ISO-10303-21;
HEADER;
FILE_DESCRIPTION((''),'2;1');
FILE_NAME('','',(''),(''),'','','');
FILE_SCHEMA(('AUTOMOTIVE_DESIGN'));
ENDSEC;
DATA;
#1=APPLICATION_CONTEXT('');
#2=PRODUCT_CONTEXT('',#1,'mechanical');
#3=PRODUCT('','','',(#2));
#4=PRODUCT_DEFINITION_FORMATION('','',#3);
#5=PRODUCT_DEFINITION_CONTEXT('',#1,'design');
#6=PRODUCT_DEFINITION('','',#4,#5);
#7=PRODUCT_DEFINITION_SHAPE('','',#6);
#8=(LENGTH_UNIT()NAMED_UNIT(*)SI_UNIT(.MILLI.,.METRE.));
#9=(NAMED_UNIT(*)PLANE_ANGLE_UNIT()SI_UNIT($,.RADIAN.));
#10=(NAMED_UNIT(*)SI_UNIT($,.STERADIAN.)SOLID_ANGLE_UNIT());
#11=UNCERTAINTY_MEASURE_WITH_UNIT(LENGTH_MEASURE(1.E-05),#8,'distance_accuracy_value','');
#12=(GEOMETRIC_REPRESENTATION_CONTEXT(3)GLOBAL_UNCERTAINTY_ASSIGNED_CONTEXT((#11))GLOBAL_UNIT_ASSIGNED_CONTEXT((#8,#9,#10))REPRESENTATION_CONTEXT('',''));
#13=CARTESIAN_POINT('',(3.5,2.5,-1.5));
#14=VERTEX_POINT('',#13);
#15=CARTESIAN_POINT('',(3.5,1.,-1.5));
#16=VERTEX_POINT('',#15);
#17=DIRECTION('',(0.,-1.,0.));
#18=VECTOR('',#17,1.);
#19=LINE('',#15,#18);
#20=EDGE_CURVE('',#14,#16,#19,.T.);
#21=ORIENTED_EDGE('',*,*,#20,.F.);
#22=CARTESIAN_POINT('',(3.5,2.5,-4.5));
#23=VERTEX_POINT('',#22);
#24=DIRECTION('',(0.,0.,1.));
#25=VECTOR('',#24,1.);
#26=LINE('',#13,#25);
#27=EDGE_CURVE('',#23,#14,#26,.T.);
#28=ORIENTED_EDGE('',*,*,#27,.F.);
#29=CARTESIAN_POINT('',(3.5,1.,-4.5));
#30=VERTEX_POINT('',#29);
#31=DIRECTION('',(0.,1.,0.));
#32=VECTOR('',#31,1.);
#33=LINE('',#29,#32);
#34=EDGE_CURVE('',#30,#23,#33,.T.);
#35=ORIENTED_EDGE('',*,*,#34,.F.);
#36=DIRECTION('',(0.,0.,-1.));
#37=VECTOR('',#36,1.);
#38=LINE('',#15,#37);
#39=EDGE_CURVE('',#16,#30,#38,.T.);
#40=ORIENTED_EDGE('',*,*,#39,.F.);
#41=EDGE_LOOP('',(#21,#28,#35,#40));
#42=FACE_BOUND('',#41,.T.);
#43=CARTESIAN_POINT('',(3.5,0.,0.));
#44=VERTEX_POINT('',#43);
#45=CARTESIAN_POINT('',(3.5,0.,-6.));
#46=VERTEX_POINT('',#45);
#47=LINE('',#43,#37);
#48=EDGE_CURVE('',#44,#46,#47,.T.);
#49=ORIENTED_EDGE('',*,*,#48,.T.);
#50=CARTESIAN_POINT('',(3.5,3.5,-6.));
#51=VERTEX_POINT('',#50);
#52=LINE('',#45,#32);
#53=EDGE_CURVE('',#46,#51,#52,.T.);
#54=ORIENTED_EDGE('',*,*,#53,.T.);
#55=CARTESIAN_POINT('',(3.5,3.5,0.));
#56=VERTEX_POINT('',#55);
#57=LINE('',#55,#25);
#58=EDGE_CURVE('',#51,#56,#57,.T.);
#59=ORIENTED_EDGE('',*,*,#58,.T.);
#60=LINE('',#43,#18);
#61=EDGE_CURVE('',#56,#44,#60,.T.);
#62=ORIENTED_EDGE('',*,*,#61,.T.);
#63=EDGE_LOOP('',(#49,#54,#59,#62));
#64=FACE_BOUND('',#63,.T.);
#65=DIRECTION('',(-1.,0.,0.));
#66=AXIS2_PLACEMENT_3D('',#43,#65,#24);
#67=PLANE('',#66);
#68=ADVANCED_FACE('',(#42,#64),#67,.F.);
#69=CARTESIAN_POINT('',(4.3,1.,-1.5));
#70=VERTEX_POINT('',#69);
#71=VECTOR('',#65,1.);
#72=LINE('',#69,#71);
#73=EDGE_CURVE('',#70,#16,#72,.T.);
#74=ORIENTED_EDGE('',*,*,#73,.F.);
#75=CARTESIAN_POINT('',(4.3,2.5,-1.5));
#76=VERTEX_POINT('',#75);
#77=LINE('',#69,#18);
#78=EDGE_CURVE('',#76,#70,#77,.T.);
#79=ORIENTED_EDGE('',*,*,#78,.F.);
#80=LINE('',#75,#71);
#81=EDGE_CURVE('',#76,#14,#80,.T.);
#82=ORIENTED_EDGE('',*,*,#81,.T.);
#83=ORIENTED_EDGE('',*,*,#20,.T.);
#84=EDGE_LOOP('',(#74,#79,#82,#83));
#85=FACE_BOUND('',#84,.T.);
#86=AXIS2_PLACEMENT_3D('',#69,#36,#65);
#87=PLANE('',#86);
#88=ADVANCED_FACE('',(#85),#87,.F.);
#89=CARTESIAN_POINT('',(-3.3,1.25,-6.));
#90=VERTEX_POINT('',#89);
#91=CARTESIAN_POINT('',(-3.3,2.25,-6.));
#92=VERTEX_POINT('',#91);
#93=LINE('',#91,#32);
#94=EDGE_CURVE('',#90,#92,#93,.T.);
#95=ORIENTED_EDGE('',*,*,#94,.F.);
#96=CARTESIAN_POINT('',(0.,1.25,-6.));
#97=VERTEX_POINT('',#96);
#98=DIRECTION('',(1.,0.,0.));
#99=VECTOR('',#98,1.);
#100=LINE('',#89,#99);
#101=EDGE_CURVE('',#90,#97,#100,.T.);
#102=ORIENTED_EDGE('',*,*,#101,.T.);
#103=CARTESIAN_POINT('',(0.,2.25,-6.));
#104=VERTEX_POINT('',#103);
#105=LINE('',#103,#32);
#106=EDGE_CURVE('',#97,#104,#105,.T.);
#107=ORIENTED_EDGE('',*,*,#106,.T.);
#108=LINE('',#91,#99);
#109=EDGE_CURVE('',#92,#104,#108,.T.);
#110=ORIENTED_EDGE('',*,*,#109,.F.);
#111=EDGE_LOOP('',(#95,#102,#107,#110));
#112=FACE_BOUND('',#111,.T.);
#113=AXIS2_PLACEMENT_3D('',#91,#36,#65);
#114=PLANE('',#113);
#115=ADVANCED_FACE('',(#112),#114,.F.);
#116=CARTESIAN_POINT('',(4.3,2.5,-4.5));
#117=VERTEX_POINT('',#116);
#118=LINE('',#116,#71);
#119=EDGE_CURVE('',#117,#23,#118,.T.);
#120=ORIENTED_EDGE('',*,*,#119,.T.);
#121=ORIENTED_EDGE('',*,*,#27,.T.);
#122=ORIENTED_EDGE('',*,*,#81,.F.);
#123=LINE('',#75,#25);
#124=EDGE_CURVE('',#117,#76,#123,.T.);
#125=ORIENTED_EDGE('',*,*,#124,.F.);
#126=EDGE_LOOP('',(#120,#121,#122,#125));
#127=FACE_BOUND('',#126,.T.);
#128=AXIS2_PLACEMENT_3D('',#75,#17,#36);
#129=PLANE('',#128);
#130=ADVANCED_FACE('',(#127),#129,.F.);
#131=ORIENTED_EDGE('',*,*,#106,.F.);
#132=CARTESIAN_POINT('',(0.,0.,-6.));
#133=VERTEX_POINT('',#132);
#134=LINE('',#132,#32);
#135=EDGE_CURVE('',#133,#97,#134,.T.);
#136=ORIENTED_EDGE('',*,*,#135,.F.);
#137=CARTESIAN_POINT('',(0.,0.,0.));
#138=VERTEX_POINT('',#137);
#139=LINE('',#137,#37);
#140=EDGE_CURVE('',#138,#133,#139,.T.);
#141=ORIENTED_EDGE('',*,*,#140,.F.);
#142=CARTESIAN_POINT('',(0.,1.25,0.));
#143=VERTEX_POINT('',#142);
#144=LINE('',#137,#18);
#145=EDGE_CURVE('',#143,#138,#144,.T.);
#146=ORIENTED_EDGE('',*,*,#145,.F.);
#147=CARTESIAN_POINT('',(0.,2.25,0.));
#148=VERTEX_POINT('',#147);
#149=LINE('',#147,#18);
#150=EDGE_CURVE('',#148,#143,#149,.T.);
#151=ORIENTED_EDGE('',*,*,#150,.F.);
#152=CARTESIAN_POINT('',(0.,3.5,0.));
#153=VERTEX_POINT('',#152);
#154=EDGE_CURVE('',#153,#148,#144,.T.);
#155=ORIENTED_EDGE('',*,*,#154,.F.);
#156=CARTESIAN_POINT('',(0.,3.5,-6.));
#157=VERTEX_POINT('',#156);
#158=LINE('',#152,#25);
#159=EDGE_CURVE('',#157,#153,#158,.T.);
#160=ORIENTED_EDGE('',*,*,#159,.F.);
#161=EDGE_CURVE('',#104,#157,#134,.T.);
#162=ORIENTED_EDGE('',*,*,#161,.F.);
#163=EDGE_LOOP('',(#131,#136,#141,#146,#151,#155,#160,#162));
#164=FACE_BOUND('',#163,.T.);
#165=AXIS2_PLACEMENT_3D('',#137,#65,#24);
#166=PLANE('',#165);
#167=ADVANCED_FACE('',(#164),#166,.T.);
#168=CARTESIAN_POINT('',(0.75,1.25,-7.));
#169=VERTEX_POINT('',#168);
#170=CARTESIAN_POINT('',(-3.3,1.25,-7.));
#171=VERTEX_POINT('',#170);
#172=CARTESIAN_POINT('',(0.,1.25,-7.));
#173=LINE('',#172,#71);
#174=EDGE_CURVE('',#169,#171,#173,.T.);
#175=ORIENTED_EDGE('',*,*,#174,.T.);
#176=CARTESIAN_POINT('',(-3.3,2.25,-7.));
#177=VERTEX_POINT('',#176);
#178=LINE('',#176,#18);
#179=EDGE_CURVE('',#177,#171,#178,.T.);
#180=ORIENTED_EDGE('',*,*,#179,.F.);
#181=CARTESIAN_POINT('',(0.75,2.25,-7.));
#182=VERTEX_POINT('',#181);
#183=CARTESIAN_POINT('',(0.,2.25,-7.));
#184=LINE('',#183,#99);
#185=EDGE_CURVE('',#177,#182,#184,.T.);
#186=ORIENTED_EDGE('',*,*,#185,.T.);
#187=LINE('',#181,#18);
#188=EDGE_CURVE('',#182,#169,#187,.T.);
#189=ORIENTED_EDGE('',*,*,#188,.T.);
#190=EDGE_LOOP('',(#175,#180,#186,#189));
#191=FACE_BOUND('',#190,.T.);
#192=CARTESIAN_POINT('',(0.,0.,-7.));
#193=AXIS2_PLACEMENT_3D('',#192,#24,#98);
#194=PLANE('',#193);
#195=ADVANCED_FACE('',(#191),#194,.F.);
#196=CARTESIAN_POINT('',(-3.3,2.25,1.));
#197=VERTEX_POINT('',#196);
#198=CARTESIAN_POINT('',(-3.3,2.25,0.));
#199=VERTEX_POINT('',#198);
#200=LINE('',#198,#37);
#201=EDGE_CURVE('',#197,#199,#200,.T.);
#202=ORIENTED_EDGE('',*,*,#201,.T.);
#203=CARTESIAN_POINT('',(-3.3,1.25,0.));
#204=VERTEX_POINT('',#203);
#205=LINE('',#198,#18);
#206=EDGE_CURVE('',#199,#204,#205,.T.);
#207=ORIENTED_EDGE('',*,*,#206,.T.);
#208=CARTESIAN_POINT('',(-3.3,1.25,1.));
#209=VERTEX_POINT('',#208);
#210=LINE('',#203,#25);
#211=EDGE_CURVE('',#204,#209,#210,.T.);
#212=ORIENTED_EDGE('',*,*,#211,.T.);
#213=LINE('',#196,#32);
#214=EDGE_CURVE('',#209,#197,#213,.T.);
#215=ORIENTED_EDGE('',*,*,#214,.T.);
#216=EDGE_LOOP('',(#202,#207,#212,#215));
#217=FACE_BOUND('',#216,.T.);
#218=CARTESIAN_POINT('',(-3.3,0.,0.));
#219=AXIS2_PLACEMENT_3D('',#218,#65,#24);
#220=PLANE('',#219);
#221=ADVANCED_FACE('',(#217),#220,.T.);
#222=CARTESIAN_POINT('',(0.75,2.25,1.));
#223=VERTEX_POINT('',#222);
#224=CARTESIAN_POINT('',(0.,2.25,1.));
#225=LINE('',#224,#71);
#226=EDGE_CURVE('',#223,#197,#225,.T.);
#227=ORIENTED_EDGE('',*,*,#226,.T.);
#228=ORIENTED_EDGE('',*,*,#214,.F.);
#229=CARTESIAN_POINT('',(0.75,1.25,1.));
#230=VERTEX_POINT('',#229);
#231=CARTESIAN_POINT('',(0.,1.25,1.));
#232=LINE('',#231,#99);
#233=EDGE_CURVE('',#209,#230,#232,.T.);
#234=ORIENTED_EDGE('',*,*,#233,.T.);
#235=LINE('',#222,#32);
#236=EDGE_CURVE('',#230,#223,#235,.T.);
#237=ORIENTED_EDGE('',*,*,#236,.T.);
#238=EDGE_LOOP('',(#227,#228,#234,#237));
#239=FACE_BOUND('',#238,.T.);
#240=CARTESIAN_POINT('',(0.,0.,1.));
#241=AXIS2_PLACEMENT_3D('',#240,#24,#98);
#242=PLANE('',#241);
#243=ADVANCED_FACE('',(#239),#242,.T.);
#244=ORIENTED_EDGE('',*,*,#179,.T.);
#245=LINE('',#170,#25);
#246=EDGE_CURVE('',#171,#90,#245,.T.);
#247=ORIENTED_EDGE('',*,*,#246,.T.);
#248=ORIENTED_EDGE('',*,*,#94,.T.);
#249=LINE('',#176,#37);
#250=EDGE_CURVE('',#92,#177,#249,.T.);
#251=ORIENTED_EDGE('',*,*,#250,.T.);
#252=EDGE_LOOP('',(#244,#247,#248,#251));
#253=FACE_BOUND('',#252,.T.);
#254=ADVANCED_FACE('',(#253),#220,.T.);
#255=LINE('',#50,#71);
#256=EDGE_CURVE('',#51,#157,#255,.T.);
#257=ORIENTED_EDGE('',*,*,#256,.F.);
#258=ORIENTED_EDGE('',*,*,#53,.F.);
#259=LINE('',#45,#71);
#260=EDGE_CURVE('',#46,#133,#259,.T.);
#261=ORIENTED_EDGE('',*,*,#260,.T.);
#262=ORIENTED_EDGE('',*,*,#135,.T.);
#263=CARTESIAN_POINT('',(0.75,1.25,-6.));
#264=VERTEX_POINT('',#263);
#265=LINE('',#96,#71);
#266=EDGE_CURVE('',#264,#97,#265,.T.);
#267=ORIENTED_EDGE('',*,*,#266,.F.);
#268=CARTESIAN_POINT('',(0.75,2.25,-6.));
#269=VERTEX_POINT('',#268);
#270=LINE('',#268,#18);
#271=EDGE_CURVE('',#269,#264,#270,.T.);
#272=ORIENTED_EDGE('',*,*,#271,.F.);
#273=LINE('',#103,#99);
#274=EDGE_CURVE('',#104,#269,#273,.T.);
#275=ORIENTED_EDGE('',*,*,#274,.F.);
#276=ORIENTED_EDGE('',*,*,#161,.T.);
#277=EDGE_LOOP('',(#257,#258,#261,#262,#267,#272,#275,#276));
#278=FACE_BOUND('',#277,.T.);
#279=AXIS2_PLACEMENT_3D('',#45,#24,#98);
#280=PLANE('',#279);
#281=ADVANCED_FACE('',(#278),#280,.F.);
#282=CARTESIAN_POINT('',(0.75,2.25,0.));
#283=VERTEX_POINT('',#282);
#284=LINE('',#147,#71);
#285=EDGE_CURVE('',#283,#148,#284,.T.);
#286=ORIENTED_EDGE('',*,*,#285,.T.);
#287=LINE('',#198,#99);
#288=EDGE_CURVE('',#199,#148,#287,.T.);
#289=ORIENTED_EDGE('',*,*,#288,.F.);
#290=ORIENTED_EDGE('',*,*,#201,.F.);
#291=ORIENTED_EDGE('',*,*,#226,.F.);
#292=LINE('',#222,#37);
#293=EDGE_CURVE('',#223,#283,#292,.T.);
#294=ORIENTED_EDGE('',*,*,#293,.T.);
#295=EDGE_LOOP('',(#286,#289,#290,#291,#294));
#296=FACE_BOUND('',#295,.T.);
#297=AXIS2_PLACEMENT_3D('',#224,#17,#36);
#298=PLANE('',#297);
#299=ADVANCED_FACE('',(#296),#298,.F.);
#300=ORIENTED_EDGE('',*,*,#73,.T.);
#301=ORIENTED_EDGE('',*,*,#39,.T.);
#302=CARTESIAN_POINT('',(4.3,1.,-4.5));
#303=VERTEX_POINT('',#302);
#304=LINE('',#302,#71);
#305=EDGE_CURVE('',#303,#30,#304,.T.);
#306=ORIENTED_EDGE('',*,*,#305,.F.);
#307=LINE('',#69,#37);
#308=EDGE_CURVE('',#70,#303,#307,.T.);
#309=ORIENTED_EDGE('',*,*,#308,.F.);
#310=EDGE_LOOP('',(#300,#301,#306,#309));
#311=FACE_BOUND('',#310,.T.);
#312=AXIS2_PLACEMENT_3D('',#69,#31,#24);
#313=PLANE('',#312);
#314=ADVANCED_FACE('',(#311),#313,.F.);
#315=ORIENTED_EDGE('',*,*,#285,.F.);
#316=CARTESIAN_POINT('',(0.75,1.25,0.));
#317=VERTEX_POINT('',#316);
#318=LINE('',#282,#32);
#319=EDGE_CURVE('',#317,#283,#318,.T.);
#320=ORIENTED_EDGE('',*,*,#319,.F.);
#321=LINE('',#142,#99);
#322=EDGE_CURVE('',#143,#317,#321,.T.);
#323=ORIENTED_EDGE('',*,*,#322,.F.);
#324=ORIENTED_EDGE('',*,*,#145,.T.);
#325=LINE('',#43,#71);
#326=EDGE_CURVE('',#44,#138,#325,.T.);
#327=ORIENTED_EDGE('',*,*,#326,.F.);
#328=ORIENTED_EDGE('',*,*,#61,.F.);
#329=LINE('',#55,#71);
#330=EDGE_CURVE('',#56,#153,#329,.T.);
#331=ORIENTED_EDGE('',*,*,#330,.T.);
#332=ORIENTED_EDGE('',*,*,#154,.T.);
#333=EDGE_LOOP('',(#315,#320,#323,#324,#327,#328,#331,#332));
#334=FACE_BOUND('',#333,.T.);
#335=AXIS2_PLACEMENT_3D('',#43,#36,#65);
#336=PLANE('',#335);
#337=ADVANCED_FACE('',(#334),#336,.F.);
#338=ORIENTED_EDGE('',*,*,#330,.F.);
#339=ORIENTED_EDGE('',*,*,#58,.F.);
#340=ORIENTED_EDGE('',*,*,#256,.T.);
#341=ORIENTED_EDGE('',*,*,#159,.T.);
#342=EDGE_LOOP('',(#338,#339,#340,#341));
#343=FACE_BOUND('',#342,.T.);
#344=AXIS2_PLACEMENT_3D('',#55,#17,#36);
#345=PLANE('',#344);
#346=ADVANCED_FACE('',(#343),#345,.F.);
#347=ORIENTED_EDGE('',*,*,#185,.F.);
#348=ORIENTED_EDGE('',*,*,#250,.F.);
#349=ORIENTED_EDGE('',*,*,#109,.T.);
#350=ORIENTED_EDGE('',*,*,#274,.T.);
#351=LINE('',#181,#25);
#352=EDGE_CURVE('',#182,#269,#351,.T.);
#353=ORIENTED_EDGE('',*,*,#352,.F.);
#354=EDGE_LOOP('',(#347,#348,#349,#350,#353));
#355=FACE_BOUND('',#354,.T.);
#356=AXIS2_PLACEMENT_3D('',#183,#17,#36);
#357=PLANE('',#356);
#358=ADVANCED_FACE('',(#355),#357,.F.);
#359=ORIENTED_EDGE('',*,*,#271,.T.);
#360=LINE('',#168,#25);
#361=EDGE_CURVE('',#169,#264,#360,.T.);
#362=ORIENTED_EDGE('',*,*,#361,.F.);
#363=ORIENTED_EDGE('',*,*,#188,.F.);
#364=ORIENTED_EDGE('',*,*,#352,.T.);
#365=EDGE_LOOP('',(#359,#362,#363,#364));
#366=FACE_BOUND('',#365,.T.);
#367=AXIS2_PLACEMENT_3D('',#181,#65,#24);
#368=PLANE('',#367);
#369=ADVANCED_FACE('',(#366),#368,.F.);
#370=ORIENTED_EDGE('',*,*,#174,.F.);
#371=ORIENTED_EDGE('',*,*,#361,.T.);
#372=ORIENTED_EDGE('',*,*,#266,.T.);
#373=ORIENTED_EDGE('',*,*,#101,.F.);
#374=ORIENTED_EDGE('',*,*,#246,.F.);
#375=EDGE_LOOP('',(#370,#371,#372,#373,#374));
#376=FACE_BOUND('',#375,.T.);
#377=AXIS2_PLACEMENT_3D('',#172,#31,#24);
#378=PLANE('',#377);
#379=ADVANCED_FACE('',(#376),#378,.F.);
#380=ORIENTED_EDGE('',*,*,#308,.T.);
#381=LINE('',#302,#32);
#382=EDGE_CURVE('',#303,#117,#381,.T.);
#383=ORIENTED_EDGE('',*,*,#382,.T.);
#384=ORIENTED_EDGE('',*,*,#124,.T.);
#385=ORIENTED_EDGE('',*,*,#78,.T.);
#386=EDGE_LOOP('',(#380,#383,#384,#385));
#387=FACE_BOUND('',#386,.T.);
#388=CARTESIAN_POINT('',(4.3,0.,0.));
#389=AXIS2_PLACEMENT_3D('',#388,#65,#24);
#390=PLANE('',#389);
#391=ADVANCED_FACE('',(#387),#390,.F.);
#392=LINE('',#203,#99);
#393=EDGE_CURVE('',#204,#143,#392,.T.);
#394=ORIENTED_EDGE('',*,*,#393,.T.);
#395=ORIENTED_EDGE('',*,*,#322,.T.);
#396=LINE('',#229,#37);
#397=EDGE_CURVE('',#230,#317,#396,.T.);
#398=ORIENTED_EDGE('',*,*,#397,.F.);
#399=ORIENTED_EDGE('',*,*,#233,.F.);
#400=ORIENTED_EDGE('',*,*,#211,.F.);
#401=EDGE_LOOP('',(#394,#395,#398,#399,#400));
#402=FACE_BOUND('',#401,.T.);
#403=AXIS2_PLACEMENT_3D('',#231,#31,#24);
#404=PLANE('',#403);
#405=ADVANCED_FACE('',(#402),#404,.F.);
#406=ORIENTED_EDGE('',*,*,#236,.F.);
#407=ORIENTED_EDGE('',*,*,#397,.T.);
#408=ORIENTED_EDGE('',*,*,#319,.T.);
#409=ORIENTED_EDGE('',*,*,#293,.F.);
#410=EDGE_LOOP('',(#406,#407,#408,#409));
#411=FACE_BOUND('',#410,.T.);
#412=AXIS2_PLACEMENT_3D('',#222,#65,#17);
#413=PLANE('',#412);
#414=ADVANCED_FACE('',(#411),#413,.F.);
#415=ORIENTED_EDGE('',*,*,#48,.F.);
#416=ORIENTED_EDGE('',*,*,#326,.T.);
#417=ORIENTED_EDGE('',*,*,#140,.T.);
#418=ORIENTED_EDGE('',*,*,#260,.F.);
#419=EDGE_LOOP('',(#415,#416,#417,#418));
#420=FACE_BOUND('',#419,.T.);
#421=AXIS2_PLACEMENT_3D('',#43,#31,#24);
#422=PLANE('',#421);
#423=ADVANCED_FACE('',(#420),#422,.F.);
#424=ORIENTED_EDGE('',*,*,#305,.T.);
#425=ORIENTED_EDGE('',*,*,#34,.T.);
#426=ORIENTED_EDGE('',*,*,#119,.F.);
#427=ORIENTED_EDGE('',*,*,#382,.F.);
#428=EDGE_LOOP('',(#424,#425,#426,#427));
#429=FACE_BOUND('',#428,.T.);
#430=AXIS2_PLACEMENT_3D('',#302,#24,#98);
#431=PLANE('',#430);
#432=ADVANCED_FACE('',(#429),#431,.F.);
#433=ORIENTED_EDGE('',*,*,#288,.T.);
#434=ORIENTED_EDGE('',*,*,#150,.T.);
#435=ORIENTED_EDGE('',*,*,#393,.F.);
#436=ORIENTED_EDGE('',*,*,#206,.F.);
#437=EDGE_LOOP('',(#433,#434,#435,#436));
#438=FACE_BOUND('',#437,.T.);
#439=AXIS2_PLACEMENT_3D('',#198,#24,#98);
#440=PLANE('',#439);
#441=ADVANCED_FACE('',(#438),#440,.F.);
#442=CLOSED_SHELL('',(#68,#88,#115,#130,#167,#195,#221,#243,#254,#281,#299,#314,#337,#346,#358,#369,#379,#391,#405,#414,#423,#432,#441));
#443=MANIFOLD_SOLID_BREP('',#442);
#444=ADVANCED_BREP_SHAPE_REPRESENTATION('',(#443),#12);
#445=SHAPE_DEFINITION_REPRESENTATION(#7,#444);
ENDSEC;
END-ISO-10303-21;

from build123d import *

# Parameters (mm, degrees)
SKETCH1_W            = 6
SKETCH1_H            = 3.5
BOSS_EXTRUDE1_DEPTH  = 3.5
SKETCH2_W            = 3
SKETCH2_H            = 1.5
BOSS_EXTRUDE2_DEPTH  = 0.8
SKETCH7_W            = 0.75
SKETCH7_H            = 1
BOSS_EXTRUDE7_DEPTH  = 1
SKETCH8_W            = 1
SKETCH8_H            = 1
BOSS_EXTRUDE8_DEPTH  = 3.3
SKETCH9_W            = 0.75
SKETCH9_H            = 1
BOSS_EXTRUDE9_DEPTH  = 1
SKETCH10_W           = 1
SKETCH10_H           = 1
BOSS_EXTRUDE10_DEPTH = 3.3


with BuildPart() as part:
    # Sketch1 → Boss-Extrude1 (new body)
    with BuildSketch(Plane(origin=(0, 0, 0), x_dir=(0, 0, -1), z_dir=(1, 0, 0))):
        with Locations((3, 1.75)):
            Rectangle(SKETCH1_W, SKETCH1_H)
    extrude(amount=BOSS_EXTRUDE1_DEPTH)

    # Sketch2 → Boss-Extrude2 (add)
    with BuildSketch(Plane(origin=(3.5, 0, 0), x_dir=(0, 0, -1), z_dir=(1, 0, 0))):
        with Locations((3, 1.75)):
            Rectangle(SKETCH2_W, SKETCH2_H)
    extrude(amount=BOSS_EXTRUDE2_DEPTH)

    # Sketch7 → Boss-Extrude7 (add)
    with BuildSketch(Plane.XY):
        with Locations((0.375, 1.75)):
            Rectangle(SKETCH7_W, SKETCH7_H)
    extrude(amount=BOSS_EXTRUDE7_DEPTH)

    # Sketch8 → Boss-Extrude8 (add)
    with BuildSketch(Plane.ZY):
        with Locations((0.5, 1.75)):
            Rectangle(SKETCH8_W, SKETCH8_H)
    extrude(amount=BOSS_EXTRUDE8_DEPTH)

    # Sketch9 → Boss-Extrude9 (add)
    with BuildSketch(Plane(origin=(0, 0, -6), x_dir=(-1, 0, 0), z_dir=(0, 0, -1))):
        with Locations((-0.375, 1.75)):
            Rectangle(SKETCH9_W, SKETCH9_H)
    extrude(amount=BOSS_EXTRUDE9_DEPTH)

    # Sketch10 → Boss-Extrude10 (add)
    with BuildSketch(Plane.ZY):
        with Locations((-6.5, 1.75)):
            Rectangle(SKETCH10_W, SKETCH10_H)
    extrude(amount=BOSS_EXTRUDE10_DEPTH)


solid = part.part
